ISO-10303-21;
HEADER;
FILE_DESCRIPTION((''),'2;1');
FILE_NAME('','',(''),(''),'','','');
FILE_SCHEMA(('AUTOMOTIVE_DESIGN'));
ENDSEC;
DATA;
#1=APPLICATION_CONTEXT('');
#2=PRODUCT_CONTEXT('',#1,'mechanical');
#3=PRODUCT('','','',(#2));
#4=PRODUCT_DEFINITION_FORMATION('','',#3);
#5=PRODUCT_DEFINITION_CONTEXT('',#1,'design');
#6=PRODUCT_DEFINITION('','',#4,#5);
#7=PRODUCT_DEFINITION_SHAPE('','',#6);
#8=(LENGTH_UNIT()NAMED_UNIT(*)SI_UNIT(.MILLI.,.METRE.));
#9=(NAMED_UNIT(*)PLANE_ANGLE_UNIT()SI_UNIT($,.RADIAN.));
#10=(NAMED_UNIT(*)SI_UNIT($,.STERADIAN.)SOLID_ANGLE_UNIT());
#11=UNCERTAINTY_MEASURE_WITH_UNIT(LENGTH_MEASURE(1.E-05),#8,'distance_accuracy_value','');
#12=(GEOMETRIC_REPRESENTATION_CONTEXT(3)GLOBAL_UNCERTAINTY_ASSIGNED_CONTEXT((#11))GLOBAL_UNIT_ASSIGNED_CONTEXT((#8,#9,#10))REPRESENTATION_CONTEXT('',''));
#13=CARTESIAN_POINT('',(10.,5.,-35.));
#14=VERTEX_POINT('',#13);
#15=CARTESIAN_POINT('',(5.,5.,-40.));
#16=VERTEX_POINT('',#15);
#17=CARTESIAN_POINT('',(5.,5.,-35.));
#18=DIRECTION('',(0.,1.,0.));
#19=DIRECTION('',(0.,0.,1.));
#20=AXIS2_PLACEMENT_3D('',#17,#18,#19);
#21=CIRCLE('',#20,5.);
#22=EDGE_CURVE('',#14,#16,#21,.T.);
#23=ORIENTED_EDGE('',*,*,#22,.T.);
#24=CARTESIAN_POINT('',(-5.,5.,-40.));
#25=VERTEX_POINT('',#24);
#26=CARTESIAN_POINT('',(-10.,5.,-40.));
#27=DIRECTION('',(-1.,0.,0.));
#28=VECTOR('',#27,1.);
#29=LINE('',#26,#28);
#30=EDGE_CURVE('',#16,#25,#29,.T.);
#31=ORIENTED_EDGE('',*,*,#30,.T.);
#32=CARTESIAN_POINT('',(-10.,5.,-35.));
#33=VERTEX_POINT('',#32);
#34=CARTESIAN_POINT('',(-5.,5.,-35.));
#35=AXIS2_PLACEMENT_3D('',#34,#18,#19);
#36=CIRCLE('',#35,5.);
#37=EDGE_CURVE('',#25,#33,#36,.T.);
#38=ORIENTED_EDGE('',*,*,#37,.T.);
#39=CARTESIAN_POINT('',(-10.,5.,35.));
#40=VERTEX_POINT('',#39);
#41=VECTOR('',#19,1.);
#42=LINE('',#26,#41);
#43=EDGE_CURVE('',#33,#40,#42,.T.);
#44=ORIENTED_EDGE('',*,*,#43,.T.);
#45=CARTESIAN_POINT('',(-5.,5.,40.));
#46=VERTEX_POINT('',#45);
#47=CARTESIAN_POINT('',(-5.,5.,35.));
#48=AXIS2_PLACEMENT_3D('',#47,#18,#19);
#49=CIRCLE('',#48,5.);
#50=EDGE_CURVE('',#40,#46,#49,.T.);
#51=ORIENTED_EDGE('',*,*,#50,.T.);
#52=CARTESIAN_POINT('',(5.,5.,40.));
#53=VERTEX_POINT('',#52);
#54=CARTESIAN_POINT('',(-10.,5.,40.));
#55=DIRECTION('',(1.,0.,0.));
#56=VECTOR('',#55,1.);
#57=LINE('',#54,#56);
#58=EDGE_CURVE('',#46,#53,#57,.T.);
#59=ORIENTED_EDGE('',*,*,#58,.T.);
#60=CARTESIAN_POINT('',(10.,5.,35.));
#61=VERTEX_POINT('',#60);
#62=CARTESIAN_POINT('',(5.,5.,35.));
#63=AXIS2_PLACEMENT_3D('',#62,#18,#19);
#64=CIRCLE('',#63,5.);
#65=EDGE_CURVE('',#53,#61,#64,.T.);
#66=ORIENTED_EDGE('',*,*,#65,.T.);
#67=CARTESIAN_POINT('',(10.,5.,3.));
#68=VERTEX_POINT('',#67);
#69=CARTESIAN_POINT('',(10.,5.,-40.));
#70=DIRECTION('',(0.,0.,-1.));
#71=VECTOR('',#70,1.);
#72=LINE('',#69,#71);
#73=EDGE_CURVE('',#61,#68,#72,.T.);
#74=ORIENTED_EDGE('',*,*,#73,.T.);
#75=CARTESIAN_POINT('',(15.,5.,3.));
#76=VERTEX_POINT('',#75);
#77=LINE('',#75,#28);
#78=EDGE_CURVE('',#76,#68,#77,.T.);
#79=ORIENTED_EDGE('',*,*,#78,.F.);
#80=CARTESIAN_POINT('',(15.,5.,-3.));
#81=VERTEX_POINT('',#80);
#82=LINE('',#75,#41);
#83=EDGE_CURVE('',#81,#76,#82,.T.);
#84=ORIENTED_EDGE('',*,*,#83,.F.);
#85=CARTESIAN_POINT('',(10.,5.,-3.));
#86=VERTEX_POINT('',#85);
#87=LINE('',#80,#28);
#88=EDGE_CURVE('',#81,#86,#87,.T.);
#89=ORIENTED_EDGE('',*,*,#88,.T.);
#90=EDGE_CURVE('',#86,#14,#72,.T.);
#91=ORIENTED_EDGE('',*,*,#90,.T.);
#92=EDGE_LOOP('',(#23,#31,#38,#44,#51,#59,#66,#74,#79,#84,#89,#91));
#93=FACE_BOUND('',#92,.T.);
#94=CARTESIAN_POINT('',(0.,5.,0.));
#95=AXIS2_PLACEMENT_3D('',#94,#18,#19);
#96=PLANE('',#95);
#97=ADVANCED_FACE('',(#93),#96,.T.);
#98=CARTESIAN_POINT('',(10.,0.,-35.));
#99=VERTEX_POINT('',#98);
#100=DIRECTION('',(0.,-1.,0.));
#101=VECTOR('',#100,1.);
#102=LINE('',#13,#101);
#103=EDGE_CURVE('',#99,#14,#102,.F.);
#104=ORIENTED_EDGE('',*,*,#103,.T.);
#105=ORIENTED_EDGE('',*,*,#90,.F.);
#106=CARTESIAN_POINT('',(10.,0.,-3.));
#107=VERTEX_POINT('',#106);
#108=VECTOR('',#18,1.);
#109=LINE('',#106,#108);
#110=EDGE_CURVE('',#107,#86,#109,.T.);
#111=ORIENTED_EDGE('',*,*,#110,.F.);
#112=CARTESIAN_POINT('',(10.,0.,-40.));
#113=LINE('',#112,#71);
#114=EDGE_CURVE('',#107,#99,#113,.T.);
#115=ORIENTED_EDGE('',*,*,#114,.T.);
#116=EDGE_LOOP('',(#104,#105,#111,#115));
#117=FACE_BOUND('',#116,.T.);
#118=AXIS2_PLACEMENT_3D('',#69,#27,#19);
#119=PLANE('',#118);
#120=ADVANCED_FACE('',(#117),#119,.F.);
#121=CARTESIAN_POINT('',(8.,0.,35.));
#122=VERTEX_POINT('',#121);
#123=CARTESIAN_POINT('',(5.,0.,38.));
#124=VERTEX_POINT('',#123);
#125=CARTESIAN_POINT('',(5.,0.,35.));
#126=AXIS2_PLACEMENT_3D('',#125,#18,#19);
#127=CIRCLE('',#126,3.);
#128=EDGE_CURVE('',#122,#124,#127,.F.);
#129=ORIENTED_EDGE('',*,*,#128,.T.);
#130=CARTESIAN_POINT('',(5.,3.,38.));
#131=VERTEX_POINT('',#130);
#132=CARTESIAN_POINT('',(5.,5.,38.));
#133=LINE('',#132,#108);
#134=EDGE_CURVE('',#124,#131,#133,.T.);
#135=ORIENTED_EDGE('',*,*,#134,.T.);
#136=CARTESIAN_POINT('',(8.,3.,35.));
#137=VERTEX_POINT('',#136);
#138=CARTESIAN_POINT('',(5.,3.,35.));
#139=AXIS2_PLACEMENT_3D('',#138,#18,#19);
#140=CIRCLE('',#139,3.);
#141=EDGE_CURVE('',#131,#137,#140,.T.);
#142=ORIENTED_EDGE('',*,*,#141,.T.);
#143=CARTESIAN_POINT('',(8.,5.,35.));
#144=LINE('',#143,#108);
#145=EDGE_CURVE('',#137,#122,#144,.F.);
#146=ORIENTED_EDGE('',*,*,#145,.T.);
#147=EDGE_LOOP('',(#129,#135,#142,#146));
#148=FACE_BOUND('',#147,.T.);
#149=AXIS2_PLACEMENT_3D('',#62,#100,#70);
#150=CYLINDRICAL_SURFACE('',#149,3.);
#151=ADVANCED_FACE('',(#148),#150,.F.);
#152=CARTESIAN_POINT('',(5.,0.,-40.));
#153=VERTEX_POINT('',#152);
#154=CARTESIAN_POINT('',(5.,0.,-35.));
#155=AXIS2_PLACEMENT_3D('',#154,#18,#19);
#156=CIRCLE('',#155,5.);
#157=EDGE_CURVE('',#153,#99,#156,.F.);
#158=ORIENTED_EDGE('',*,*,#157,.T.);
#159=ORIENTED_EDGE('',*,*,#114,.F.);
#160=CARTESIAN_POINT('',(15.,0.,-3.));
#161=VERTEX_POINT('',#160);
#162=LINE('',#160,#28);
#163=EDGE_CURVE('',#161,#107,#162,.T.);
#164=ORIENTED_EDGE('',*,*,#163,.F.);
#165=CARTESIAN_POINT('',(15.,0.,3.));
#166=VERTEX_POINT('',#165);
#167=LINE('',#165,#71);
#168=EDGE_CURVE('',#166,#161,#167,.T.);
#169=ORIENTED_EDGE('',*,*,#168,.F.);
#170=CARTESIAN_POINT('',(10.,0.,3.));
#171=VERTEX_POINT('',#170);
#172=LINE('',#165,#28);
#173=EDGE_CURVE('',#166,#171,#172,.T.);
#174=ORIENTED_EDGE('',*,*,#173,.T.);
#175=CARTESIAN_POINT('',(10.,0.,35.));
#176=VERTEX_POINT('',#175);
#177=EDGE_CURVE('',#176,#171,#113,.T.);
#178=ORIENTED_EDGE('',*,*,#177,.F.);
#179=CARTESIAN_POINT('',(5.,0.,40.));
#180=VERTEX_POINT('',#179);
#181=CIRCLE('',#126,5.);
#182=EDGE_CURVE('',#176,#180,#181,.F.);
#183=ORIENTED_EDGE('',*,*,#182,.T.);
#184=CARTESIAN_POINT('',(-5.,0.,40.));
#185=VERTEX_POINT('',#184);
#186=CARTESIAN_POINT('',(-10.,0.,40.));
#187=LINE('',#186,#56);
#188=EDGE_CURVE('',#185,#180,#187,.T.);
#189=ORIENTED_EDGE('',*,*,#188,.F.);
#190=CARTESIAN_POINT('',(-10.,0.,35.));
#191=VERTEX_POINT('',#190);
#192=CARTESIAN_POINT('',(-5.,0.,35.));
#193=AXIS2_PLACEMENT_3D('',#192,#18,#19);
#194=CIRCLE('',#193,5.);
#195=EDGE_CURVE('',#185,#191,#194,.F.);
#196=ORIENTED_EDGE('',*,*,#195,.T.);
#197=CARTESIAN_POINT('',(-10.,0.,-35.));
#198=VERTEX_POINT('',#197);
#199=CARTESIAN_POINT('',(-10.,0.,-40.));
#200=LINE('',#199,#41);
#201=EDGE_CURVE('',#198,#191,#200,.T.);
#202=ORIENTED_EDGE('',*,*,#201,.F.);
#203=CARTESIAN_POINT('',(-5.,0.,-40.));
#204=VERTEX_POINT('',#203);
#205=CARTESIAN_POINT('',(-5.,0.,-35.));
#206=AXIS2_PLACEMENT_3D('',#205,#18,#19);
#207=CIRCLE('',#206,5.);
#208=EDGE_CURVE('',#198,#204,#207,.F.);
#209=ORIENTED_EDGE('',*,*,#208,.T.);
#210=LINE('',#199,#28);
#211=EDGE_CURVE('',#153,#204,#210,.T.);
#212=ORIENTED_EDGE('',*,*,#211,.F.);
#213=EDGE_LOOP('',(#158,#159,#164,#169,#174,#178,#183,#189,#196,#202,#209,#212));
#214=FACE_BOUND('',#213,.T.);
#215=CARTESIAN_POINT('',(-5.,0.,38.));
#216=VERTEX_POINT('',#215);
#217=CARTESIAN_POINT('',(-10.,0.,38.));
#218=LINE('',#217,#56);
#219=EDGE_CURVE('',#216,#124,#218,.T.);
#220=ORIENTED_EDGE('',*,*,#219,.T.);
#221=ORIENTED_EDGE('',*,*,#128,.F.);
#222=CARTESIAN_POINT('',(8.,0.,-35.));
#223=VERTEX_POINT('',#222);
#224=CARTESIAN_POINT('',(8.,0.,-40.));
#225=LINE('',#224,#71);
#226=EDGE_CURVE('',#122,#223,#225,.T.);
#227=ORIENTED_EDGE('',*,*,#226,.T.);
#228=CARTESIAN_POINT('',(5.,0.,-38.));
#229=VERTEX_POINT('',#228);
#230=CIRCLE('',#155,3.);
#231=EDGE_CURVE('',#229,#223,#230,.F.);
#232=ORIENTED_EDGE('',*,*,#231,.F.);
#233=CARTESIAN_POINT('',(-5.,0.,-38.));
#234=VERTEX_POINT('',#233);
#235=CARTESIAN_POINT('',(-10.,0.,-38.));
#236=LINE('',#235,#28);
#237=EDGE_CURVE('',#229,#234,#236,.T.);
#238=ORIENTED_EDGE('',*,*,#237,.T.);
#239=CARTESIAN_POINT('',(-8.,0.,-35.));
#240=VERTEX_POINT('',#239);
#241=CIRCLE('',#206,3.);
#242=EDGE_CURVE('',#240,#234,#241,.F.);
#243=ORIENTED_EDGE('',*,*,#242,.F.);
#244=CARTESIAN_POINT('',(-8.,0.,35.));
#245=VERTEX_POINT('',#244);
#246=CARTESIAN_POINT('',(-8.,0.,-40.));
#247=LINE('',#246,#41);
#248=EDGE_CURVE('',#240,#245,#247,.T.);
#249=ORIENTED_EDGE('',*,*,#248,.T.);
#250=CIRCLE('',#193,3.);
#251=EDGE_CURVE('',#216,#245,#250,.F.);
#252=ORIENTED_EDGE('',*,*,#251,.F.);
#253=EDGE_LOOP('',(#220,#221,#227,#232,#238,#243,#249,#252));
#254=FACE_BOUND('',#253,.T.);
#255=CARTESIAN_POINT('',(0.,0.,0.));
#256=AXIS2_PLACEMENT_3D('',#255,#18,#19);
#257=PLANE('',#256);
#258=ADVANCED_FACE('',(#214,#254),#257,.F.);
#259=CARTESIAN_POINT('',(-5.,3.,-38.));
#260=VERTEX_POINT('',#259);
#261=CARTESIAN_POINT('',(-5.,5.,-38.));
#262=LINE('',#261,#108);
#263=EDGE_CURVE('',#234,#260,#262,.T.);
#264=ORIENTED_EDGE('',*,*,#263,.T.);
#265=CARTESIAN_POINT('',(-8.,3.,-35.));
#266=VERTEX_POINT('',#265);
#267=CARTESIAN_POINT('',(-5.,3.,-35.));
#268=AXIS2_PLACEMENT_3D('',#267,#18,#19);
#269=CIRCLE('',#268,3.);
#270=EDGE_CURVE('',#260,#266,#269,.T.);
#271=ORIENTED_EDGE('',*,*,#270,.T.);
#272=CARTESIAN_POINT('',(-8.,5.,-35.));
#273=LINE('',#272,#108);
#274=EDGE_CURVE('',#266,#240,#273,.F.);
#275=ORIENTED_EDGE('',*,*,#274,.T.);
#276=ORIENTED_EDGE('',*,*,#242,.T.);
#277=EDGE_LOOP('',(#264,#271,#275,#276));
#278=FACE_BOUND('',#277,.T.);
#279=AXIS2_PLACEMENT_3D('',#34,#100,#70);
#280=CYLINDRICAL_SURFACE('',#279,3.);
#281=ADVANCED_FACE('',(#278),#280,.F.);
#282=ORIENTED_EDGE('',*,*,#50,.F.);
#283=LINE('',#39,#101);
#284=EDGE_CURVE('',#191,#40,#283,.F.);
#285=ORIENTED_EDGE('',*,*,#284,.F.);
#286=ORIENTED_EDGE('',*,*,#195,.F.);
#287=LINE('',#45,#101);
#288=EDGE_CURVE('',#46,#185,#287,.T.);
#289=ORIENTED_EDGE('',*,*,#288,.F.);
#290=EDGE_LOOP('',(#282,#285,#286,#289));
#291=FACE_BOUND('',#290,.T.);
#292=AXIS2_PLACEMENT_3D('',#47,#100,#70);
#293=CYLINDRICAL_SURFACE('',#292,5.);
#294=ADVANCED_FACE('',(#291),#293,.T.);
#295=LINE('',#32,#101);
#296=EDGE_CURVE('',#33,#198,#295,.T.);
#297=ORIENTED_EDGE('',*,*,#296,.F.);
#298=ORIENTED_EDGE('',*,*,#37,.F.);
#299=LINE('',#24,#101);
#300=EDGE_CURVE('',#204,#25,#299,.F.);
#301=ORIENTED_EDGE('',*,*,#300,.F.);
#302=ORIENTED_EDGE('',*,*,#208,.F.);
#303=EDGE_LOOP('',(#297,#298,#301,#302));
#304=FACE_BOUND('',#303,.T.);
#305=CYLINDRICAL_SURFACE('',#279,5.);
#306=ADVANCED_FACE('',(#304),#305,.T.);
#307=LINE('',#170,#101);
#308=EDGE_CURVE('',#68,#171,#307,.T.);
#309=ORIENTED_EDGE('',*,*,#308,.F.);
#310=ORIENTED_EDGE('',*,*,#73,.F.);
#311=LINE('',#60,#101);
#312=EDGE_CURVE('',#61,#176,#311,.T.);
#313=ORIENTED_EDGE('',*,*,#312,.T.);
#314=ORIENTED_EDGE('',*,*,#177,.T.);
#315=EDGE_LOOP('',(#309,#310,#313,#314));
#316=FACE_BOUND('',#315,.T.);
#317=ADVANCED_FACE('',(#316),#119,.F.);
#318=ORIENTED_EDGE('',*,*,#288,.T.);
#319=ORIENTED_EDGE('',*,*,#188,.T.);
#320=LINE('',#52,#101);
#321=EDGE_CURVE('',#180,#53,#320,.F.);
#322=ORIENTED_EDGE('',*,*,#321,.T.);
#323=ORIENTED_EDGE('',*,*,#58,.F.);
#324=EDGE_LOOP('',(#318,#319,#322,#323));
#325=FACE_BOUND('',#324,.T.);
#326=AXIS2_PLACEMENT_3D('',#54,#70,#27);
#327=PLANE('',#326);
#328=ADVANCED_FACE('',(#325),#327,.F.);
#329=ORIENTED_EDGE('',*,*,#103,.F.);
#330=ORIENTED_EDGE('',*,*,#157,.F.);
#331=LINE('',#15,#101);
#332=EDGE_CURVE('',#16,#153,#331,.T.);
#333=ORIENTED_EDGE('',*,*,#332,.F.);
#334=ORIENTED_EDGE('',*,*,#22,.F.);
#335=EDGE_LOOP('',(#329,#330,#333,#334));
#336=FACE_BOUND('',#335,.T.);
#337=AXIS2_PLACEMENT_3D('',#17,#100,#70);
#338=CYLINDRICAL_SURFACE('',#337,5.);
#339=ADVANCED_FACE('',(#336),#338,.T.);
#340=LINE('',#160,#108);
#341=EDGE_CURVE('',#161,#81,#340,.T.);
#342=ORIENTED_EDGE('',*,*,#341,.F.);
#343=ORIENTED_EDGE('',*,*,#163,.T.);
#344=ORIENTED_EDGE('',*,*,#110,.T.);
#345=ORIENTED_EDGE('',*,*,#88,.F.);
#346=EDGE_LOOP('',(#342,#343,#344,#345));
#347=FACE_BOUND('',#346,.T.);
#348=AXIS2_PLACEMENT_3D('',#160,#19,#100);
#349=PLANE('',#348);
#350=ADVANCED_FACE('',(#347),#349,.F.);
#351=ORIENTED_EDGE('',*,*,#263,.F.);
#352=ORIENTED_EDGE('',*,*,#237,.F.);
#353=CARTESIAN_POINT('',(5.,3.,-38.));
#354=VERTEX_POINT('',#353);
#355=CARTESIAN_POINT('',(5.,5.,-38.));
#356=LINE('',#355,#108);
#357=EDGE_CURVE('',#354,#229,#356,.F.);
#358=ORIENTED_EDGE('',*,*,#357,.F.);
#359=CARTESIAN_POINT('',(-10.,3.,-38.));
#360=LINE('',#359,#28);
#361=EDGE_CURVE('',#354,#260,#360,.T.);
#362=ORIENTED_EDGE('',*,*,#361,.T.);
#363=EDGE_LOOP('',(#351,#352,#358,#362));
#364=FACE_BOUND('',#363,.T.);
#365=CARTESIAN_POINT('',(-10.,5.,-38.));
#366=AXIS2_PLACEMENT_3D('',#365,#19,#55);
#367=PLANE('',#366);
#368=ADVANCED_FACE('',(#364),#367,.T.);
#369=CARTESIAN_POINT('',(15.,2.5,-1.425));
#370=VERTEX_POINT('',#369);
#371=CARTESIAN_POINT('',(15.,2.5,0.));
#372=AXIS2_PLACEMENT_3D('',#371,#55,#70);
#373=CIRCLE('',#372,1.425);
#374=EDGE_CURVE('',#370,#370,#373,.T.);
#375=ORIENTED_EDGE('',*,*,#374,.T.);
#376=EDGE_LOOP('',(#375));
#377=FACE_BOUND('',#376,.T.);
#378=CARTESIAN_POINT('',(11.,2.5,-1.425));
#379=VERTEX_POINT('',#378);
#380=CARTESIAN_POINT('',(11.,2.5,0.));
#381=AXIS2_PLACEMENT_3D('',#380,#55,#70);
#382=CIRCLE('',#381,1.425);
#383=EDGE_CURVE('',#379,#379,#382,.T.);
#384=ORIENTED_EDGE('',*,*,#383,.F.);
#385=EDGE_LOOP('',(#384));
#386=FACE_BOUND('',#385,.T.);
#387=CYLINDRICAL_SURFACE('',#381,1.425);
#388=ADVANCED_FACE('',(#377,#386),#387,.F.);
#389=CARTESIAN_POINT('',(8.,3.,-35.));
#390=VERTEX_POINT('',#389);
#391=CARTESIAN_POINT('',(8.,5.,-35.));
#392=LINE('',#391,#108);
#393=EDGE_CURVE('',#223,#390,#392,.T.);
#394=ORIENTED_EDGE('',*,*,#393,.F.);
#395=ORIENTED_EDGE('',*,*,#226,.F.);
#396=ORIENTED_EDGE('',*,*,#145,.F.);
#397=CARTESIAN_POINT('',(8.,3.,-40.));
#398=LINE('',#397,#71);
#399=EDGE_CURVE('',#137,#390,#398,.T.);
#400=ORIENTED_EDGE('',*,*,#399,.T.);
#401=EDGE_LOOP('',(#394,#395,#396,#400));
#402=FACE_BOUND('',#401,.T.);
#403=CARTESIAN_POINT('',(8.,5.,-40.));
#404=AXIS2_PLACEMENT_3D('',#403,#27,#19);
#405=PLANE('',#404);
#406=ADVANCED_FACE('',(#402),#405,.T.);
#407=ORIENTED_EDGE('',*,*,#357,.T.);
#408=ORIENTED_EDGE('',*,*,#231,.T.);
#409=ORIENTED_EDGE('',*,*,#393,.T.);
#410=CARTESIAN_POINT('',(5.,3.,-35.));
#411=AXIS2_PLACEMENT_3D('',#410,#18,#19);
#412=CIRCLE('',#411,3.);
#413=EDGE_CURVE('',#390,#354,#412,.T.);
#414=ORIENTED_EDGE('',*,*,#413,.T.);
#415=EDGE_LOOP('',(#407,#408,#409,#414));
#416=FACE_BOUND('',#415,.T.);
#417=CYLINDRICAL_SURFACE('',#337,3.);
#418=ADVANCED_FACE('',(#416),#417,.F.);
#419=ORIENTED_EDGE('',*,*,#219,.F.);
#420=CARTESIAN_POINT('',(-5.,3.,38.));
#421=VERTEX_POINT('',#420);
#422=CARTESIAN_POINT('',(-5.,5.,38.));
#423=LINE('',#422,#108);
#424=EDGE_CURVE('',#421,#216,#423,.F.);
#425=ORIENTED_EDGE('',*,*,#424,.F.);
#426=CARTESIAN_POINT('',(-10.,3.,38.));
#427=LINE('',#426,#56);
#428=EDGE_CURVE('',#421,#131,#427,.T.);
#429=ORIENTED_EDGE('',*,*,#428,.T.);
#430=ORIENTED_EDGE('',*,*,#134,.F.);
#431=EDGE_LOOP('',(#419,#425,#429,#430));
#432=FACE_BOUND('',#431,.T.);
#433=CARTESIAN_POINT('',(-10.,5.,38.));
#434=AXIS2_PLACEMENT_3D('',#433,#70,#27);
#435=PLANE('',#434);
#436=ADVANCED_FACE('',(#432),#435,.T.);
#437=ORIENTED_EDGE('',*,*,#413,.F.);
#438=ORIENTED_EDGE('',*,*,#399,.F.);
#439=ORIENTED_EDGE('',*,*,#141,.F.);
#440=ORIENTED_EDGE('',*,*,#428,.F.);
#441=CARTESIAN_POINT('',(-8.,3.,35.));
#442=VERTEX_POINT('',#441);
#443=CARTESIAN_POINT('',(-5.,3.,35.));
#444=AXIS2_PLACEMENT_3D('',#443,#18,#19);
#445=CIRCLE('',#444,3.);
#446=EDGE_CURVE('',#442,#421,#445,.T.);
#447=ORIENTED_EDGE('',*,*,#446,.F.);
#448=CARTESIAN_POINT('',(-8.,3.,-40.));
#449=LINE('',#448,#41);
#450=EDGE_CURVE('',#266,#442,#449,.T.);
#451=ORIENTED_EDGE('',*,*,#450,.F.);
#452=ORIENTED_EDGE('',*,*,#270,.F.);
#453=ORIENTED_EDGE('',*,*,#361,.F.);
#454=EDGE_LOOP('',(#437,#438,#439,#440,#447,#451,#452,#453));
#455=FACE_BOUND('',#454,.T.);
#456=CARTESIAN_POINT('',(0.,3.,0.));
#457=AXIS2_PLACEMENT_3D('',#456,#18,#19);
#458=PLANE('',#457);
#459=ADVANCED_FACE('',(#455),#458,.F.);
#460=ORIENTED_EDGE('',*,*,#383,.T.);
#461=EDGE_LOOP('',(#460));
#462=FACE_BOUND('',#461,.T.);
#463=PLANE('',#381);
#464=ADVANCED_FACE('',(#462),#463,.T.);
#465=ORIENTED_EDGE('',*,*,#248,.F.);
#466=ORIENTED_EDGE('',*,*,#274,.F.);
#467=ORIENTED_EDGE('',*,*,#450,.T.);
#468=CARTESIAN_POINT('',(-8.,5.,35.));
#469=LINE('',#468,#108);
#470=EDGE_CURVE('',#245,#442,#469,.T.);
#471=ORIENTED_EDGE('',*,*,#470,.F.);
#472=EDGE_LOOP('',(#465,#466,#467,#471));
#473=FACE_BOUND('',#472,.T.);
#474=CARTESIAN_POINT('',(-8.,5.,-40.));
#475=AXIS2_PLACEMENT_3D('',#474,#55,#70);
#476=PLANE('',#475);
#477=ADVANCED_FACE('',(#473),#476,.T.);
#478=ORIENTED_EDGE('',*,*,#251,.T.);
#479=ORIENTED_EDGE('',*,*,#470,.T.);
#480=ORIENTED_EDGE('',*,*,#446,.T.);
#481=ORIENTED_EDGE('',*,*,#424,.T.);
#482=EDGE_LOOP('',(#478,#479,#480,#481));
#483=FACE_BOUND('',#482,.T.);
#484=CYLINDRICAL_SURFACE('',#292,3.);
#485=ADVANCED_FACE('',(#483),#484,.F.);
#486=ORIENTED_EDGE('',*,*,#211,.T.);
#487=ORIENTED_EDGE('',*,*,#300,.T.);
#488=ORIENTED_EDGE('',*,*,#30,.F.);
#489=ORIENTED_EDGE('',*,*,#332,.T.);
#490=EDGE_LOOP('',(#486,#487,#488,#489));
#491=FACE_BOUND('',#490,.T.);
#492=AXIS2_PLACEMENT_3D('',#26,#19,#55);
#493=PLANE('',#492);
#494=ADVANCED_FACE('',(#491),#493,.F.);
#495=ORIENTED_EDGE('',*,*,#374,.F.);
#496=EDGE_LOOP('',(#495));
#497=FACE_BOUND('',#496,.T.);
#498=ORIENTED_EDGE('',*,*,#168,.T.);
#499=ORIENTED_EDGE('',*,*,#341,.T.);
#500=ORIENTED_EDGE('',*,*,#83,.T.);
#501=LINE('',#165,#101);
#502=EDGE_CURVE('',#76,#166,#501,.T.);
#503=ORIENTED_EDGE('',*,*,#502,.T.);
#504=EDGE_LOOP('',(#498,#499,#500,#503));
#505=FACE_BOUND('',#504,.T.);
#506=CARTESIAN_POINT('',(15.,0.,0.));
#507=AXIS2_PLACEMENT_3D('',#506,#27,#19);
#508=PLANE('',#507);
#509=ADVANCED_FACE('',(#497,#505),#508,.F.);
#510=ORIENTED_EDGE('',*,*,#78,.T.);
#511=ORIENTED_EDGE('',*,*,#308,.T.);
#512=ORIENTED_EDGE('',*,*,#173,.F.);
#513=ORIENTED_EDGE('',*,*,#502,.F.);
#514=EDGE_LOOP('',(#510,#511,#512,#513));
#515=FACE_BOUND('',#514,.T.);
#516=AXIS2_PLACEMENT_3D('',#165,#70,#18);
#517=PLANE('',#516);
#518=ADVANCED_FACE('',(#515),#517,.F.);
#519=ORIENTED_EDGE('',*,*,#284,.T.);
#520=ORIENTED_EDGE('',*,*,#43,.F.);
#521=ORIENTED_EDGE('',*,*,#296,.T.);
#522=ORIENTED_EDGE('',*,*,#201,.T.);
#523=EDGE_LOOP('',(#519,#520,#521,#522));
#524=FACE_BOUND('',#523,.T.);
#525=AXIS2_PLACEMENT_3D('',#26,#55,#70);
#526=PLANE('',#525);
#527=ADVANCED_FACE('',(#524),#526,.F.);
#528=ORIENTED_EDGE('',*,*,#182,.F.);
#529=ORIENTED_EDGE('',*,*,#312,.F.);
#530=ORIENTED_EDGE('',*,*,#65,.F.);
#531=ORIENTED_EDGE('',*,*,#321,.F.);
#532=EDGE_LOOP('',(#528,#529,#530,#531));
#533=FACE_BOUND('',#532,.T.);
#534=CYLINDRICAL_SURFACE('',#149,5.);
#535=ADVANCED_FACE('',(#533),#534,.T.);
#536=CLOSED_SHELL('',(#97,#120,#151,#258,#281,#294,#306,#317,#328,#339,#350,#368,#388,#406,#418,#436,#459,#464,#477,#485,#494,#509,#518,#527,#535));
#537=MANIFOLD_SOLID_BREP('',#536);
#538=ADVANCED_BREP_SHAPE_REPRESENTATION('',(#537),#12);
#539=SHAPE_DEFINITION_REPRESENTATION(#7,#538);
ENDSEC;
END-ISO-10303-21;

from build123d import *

# Parameters (mm, degrees)
SKETCH1_W           = 20
SKETCH1_H           = 80
BOSS_EXTRUDE1_DEPTH = 5
FILLET1_R           = 5
SHELL1_T            = -2
SKETCH2_W           = 6
SKETCH2_H           = 5
BOSS_EXTRUDE2_DEPTH = 5
SKETCH3_R           = 1.425
CUT_EXTRUDE1_DEPTH  = 4


with BuildPart() as part:
    # Sketch1 → Boss-Extrude1 (new body)
    with BuildSketch(Plane(origin=(0, 0, 0), x_dir=(1, 0, 0), z_dir=(0, 1, 0))):
        Rectangle(SKETCH1_W, SKETCH1_H)
    extrude(amount=BOSS_EXTRUDE1_DEPTH)

    # Fillet1
    fillet1_edges = [part.edges().sort_by_distance(p)[0] for p in [
        (10, 2.5, 40),
        (-10, 2.5, 40),
        (-10, 2.5, -40),
        (10, 2.5, -40),
    ]]
    fillet(fillet1_edges, radius=FILLET1_R)

    # Shell1
    shell1_openings = [part.faces().sort_by_distance(p)[0] for p in [
        (0, 0, 0),
    ]]
    offset(amount=SHELL1_T, openings=shell1_openings, kind=Kind.INTERSECTION)

    # Sketch2 → Boss-Extrude2 (add)
    with BuildSketch(Plane(origin=(10, 0, 0), x_dir=(0, 0, -1), z_dir=(1, 0, 0))):
        with Locations((0, 2.5)):
            Rectangle(SKETCH2_W, SKETCH2_H)
    extrude(amount=BOSS_EXTRUDE2_DEPTH)

    # Sketch3 → Cut-Extrude1 (cut)
    with BuildSketch(Plane(origin=(15, 0, 0), x_dir=(0, 0, -1), z_dir=(1, 0, 0))):
        with Locations((0, 2.5)):
            Circle(SKETCH3_R)
    extrude(amount=-CUT_EXTRUDE1_DEPTH, mode=Mode.SUBTRACT)


solid = part.part
